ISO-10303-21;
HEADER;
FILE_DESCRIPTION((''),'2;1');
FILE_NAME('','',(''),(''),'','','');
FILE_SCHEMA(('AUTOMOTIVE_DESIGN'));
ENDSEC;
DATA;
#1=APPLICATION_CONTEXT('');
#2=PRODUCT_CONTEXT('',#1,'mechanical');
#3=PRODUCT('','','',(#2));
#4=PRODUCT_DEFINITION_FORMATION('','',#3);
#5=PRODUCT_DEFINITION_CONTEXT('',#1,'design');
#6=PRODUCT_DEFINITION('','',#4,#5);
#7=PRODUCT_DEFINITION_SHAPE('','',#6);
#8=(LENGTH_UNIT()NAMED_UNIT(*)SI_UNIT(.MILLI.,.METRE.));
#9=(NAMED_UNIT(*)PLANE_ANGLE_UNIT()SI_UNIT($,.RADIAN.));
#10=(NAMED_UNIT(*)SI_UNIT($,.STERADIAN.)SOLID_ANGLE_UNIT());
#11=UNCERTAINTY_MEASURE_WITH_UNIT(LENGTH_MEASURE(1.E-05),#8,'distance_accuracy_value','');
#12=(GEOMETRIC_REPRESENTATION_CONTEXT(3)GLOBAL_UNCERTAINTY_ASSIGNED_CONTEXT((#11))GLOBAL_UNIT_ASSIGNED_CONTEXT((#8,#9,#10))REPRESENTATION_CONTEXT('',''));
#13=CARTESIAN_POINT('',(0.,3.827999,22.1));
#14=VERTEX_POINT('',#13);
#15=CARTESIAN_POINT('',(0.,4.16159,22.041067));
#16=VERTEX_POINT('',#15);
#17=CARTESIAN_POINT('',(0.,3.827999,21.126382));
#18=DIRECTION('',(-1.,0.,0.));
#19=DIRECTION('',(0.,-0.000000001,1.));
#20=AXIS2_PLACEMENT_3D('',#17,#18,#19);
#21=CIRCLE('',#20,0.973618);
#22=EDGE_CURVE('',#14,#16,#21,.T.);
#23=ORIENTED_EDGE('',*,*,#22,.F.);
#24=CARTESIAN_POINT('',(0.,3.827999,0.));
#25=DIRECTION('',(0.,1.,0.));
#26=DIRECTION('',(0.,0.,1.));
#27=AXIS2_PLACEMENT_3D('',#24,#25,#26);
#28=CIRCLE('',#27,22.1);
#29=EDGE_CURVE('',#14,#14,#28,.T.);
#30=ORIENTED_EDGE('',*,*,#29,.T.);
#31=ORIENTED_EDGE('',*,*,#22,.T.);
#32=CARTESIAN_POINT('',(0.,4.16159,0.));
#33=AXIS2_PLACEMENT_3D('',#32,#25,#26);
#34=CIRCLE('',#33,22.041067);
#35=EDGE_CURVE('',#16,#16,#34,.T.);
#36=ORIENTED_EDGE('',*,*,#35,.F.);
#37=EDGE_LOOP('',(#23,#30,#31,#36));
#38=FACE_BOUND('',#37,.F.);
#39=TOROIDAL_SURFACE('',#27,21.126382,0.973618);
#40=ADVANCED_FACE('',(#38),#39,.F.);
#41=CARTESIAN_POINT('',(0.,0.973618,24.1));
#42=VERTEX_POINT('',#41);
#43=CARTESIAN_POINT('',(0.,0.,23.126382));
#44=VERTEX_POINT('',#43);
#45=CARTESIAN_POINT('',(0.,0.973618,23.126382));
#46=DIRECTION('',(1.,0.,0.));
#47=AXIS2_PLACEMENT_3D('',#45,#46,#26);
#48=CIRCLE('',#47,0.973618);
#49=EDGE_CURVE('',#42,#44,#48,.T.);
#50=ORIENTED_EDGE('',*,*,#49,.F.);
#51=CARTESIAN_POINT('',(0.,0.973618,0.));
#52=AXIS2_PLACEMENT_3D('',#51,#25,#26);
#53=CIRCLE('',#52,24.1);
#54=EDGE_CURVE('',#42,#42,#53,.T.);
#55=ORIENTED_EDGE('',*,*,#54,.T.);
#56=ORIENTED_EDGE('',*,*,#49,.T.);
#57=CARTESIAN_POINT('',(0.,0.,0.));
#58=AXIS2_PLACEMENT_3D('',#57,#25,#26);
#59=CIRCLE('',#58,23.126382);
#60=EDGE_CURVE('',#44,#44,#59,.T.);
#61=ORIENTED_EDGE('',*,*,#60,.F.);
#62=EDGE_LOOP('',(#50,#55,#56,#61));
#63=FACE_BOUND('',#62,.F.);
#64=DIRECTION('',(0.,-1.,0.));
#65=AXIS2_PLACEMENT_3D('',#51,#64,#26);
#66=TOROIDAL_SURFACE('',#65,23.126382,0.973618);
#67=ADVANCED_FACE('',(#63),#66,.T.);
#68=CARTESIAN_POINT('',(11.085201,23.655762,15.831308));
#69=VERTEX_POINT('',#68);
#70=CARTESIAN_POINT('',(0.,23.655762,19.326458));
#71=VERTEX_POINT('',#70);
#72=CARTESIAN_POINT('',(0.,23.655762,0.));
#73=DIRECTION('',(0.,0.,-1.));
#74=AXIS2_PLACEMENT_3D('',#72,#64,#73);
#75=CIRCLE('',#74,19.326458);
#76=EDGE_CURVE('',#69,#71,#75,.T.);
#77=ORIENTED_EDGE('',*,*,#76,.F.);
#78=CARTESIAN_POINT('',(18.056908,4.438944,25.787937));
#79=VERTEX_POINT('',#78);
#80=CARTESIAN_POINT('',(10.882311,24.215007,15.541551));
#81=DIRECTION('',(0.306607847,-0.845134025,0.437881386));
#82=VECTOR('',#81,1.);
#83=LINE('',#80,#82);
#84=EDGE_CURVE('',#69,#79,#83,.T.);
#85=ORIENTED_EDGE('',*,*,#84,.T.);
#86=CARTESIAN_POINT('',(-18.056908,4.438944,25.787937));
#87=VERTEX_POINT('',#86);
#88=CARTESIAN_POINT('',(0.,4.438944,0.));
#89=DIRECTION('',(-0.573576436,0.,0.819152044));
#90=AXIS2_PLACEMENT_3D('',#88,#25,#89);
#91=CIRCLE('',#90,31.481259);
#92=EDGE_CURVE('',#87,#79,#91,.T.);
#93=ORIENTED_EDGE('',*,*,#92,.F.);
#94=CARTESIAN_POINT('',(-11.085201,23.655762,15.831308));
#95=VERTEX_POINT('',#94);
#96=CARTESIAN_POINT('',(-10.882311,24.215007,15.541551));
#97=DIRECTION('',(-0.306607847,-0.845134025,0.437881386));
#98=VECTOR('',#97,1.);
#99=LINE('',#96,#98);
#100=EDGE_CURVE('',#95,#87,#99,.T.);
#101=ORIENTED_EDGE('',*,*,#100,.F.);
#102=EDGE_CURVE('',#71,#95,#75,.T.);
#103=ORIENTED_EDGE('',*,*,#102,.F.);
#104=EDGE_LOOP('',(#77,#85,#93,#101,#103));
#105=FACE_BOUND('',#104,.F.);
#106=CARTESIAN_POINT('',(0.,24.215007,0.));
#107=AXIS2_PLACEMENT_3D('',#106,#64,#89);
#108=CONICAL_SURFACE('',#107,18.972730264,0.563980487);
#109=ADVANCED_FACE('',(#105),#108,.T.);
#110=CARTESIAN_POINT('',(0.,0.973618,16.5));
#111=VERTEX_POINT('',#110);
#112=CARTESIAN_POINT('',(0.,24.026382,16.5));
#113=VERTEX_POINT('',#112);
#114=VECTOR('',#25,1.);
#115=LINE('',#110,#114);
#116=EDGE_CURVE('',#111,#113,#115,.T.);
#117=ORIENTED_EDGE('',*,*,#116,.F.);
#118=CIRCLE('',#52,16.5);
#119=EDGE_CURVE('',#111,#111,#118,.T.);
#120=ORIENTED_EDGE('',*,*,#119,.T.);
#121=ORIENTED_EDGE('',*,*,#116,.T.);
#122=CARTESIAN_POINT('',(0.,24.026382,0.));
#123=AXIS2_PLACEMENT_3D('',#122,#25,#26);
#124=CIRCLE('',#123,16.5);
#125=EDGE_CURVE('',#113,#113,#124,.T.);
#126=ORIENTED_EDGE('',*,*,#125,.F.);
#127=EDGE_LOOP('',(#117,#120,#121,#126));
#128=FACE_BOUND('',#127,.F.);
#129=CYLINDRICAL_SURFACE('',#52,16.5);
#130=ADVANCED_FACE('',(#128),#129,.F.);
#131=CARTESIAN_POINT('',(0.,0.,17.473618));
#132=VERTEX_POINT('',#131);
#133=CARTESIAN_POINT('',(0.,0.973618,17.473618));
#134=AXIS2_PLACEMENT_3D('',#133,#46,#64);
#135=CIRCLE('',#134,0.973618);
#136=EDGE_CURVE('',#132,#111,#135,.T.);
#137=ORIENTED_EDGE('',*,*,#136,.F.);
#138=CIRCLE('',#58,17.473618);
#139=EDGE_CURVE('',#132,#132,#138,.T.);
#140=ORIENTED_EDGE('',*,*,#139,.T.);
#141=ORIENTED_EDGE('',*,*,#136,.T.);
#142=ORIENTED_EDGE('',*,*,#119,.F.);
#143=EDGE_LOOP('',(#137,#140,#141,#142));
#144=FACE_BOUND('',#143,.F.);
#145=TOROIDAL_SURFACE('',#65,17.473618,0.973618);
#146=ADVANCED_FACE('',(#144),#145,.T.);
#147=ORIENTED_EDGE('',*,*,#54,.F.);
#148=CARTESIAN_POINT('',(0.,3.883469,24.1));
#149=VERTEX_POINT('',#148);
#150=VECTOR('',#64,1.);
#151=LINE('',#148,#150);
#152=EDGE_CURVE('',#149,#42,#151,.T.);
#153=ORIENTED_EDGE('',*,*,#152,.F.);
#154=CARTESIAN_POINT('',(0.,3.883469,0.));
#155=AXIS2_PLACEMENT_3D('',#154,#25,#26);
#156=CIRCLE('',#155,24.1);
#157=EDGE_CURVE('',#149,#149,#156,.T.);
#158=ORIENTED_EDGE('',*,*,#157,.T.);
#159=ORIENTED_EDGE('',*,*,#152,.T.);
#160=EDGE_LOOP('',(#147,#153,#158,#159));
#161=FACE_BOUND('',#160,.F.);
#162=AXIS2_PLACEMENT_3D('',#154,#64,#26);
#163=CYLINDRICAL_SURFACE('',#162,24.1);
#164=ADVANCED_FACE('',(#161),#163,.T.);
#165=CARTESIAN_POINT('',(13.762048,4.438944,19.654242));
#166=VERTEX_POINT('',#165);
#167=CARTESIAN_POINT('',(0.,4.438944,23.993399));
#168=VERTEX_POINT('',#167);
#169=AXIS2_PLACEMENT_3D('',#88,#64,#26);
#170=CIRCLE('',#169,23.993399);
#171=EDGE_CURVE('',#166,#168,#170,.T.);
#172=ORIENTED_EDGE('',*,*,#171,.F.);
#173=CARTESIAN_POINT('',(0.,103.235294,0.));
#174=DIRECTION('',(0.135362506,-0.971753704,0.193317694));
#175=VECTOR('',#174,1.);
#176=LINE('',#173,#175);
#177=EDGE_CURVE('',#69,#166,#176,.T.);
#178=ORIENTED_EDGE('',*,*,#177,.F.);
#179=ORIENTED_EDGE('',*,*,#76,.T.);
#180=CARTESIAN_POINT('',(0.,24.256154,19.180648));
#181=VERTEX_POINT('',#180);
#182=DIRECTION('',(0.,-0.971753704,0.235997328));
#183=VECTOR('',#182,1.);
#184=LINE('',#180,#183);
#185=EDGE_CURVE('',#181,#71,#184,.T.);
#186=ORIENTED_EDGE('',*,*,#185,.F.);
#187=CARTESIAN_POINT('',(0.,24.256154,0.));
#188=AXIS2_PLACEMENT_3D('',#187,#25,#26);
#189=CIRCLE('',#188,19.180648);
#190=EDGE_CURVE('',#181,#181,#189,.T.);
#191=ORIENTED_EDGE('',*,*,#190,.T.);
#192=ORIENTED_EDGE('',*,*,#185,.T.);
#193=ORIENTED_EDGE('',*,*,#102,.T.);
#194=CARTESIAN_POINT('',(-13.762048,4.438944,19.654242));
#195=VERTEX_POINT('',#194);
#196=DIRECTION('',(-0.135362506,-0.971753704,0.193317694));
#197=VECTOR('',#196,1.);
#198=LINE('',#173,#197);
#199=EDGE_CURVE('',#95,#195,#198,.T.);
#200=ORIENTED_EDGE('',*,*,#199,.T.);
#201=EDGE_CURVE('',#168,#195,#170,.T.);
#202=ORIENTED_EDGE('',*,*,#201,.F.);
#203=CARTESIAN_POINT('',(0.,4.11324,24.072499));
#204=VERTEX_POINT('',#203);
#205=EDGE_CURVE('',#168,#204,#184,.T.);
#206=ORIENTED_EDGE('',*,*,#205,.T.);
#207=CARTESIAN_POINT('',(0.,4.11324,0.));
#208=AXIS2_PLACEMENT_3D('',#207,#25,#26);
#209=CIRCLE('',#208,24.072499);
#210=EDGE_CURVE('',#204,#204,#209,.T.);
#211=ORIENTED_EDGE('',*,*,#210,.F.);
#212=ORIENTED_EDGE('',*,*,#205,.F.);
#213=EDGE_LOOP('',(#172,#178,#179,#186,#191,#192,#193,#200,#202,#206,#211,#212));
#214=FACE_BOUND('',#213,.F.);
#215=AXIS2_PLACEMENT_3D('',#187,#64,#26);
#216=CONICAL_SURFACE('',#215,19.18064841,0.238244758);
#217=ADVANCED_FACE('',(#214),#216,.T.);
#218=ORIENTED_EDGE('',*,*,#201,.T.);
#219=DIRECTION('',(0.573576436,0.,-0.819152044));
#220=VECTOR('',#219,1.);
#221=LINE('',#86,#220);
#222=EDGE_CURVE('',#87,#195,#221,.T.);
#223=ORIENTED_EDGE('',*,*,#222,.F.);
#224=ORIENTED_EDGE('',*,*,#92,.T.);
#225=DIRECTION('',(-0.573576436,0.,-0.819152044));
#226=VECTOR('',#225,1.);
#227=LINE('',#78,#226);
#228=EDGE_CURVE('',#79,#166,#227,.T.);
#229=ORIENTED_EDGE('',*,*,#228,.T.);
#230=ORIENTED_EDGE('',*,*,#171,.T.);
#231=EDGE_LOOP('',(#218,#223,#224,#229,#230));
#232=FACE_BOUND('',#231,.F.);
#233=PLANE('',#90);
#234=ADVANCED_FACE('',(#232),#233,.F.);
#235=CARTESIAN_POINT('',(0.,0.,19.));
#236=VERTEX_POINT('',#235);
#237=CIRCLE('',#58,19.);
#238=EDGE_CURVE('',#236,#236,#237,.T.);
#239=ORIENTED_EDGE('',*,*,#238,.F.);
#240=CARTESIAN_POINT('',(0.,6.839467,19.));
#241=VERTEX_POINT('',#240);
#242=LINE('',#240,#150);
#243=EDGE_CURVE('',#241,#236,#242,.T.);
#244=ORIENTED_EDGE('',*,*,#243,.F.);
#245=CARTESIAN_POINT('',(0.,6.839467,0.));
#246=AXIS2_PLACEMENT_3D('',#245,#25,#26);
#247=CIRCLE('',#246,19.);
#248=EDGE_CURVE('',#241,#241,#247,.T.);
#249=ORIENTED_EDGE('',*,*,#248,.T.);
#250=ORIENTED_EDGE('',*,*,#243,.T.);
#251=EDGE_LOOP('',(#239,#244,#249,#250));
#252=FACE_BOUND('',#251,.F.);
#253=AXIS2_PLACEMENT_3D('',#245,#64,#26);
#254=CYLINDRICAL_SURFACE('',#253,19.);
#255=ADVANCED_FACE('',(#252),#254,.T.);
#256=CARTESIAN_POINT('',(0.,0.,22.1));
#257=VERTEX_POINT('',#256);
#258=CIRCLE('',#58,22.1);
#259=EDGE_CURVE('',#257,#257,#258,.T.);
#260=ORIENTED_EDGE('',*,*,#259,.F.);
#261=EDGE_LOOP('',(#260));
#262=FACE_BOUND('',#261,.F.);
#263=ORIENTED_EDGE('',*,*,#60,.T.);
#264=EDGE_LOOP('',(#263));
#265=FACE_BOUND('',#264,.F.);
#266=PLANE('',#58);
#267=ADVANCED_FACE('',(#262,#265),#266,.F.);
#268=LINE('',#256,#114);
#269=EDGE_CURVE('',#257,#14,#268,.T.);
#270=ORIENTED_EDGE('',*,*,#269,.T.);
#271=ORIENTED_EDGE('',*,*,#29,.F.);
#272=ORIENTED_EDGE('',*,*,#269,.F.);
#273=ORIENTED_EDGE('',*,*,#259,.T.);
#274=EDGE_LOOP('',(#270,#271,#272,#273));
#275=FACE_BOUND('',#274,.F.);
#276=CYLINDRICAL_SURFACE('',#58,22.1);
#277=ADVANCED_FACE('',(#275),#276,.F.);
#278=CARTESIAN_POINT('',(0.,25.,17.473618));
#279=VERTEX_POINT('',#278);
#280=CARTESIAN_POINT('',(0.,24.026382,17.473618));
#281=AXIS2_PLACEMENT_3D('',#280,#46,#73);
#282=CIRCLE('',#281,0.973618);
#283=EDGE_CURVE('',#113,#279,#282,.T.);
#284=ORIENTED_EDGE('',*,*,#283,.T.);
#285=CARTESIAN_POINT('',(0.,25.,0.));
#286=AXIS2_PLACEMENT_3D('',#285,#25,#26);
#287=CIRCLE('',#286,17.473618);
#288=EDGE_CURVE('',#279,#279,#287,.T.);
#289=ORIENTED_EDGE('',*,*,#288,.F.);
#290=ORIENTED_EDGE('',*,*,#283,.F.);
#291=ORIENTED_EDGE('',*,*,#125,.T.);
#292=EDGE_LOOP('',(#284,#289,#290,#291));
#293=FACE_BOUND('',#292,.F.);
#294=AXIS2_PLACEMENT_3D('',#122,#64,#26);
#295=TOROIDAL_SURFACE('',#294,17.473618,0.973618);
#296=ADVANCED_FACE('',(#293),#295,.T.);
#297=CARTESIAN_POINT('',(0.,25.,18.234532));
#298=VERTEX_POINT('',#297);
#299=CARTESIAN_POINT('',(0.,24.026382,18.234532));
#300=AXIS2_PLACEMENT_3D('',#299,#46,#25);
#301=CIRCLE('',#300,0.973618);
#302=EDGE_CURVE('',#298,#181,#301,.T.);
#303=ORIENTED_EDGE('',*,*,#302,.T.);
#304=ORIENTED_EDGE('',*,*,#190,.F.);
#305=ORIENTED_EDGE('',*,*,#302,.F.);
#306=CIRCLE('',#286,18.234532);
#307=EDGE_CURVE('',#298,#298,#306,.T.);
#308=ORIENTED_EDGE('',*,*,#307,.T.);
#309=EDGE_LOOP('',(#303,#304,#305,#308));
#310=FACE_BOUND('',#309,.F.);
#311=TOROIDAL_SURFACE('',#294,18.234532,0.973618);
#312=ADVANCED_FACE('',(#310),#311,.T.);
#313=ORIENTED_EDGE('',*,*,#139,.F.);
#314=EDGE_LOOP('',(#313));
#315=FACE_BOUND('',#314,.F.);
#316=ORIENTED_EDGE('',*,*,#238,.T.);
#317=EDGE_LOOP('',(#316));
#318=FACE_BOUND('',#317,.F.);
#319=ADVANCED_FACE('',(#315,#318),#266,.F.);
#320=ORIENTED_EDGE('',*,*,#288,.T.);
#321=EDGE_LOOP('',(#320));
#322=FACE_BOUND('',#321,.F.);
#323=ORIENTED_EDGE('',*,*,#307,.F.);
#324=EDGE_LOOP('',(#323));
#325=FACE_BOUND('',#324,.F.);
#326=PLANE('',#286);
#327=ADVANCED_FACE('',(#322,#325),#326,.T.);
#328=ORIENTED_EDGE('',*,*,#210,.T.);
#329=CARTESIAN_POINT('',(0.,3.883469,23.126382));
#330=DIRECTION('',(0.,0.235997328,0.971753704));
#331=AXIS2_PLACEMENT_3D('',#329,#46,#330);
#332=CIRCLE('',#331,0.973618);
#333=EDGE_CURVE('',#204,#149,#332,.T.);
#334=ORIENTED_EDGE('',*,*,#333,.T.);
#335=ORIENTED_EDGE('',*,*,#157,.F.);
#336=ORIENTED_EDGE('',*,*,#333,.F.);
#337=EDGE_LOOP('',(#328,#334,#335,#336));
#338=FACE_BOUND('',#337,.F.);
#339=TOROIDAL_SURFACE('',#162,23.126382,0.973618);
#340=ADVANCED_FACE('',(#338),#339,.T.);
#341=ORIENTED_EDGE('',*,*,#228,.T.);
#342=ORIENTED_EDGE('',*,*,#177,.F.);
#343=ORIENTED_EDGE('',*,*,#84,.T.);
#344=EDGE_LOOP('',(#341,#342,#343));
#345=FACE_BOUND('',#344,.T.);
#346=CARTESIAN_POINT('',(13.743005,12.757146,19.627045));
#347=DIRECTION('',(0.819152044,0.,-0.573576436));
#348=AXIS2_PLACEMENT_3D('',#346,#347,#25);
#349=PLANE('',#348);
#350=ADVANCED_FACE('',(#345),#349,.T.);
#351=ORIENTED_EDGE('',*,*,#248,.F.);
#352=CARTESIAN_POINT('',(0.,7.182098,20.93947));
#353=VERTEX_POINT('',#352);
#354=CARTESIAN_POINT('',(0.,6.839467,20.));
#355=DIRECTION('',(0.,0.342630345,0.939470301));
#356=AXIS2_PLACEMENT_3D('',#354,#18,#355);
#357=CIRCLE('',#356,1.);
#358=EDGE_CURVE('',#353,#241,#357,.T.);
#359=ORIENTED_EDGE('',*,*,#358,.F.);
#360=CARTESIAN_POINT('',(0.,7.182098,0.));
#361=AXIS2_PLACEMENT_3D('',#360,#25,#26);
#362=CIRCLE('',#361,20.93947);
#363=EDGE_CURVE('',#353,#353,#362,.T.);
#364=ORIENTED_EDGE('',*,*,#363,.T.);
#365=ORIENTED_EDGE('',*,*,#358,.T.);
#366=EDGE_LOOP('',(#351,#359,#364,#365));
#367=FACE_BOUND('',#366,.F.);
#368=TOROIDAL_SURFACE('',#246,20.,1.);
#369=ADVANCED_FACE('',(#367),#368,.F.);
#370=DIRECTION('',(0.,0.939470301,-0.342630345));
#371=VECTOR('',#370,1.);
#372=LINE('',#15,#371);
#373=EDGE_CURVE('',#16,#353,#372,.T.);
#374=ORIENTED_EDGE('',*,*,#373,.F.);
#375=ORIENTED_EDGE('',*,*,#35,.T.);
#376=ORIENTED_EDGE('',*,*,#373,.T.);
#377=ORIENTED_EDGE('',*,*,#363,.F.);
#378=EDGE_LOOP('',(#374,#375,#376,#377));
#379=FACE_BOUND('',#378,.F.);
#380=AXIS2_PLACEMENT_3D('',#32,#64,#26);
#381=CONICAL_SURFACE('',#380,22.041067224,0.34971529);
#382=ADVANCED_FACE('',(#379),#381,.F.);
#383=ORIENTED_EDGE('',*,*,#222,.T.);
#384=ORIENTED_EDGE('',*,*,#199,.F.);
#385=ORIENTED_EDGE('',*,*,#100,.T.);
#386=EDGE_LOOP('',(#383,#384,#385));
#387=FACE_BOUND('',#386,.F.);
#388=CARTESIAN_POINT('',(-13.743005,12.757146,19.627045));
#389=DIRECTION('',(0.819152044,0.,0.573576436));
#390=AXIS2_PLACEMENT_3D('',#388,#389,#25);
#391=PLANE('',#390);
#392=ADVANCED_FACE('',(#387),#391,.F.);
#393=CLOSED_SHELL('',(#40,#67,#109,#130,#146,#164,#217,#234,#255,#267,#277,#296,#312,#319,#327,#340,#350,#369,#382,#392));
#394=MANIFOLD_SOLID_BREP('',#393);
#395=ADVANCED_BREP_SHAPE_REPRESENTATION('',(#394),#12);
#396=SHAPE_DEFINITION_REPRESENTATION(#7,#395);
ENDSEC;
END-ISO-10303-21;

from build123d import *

# Parameters (mm, degrees)
F3_ANGLE_BACK = 35
F3_ANGLE      = 70


with BuildPart() as f1:
    # F0 (on Right) → F1 (revolve)
    with BuildSketch(Plane.YZ):
        with BuildLine():
            ThreePointArc((0, 17.4736175303), (0.2851659723, 16.7851659723), (0.9736175303, 16.5))
            Line((0.9736175303, 16.5), (24.0263824697, 16.5))
            ThreePointArc((24.0263824697, 16.5), (24.7148340277, 16.7851659723), (25, 17.4736175303))
            Line((25, 17.4736175303), (25, 18.2345319688))
            ThreePointArc((25, 18.2345319688), (24.7917713581, 18.8362885183), (24.2561536054, 19.1806484101))
            Line((24.2561536054, 19.1806484101), (4.1132397783, 24.072498911))
            ThreePointArc((4.1132397783, 24.072498911), (3.999174179, 24.0931002797), (3.8834686425, 24.1))
            Line((3.8834686425, 24.1), (0.9736175303, 24.1))
            ThreePointArc((0.9736175303, 24.1), (0.2851659723, 23.8148340277), (0, 23.1263824697))
            Line((0, 23.1263824697), (0, 22.1))
            Line((0, 22.1), (3.8279989592, 22.1))
            ThreePointArc((3.8279989592, 22.1), (3.9973772101, 22.0851536121), (4.1615898696, 22.041067224))
            Line((4.1615898696, 22.041067224), (7.1820975615, 20.9394703011))
            ThreePointArc((7.1820975615, 20.9394703011), (7.8242185305, 19.8260320447), (6.8394672164, 19))
            Line((6.8394672164, 19), (0, 19))
            Line((0, 19), (0, 17.4736175303))
        make_face()
    revolve(axis=Axis((0, 13.1596643478, 0), (0, 1, 0)))

    # F2 (on Right) → F3 (revolve)
    with BuildSketch(Plane.YZ, mode=Mode.PRIVATE) as f3_sk:
        Polygon((4.4389441609, 23.2468191534), (24.2150072008, 18.9727302641), (4.4389441609, 31.4812585711), align=None)
    revolve(f3_sk.sketch.rotate(Axis((0, 14.4669124857, 0), (0, 1, 0)), -F3_ANGLE_BACK), axis=Axis((0, 14.4669124857, 0), (0, 1, 0)), revolution_arc=F3_ANGLE)


solid = f1.part
